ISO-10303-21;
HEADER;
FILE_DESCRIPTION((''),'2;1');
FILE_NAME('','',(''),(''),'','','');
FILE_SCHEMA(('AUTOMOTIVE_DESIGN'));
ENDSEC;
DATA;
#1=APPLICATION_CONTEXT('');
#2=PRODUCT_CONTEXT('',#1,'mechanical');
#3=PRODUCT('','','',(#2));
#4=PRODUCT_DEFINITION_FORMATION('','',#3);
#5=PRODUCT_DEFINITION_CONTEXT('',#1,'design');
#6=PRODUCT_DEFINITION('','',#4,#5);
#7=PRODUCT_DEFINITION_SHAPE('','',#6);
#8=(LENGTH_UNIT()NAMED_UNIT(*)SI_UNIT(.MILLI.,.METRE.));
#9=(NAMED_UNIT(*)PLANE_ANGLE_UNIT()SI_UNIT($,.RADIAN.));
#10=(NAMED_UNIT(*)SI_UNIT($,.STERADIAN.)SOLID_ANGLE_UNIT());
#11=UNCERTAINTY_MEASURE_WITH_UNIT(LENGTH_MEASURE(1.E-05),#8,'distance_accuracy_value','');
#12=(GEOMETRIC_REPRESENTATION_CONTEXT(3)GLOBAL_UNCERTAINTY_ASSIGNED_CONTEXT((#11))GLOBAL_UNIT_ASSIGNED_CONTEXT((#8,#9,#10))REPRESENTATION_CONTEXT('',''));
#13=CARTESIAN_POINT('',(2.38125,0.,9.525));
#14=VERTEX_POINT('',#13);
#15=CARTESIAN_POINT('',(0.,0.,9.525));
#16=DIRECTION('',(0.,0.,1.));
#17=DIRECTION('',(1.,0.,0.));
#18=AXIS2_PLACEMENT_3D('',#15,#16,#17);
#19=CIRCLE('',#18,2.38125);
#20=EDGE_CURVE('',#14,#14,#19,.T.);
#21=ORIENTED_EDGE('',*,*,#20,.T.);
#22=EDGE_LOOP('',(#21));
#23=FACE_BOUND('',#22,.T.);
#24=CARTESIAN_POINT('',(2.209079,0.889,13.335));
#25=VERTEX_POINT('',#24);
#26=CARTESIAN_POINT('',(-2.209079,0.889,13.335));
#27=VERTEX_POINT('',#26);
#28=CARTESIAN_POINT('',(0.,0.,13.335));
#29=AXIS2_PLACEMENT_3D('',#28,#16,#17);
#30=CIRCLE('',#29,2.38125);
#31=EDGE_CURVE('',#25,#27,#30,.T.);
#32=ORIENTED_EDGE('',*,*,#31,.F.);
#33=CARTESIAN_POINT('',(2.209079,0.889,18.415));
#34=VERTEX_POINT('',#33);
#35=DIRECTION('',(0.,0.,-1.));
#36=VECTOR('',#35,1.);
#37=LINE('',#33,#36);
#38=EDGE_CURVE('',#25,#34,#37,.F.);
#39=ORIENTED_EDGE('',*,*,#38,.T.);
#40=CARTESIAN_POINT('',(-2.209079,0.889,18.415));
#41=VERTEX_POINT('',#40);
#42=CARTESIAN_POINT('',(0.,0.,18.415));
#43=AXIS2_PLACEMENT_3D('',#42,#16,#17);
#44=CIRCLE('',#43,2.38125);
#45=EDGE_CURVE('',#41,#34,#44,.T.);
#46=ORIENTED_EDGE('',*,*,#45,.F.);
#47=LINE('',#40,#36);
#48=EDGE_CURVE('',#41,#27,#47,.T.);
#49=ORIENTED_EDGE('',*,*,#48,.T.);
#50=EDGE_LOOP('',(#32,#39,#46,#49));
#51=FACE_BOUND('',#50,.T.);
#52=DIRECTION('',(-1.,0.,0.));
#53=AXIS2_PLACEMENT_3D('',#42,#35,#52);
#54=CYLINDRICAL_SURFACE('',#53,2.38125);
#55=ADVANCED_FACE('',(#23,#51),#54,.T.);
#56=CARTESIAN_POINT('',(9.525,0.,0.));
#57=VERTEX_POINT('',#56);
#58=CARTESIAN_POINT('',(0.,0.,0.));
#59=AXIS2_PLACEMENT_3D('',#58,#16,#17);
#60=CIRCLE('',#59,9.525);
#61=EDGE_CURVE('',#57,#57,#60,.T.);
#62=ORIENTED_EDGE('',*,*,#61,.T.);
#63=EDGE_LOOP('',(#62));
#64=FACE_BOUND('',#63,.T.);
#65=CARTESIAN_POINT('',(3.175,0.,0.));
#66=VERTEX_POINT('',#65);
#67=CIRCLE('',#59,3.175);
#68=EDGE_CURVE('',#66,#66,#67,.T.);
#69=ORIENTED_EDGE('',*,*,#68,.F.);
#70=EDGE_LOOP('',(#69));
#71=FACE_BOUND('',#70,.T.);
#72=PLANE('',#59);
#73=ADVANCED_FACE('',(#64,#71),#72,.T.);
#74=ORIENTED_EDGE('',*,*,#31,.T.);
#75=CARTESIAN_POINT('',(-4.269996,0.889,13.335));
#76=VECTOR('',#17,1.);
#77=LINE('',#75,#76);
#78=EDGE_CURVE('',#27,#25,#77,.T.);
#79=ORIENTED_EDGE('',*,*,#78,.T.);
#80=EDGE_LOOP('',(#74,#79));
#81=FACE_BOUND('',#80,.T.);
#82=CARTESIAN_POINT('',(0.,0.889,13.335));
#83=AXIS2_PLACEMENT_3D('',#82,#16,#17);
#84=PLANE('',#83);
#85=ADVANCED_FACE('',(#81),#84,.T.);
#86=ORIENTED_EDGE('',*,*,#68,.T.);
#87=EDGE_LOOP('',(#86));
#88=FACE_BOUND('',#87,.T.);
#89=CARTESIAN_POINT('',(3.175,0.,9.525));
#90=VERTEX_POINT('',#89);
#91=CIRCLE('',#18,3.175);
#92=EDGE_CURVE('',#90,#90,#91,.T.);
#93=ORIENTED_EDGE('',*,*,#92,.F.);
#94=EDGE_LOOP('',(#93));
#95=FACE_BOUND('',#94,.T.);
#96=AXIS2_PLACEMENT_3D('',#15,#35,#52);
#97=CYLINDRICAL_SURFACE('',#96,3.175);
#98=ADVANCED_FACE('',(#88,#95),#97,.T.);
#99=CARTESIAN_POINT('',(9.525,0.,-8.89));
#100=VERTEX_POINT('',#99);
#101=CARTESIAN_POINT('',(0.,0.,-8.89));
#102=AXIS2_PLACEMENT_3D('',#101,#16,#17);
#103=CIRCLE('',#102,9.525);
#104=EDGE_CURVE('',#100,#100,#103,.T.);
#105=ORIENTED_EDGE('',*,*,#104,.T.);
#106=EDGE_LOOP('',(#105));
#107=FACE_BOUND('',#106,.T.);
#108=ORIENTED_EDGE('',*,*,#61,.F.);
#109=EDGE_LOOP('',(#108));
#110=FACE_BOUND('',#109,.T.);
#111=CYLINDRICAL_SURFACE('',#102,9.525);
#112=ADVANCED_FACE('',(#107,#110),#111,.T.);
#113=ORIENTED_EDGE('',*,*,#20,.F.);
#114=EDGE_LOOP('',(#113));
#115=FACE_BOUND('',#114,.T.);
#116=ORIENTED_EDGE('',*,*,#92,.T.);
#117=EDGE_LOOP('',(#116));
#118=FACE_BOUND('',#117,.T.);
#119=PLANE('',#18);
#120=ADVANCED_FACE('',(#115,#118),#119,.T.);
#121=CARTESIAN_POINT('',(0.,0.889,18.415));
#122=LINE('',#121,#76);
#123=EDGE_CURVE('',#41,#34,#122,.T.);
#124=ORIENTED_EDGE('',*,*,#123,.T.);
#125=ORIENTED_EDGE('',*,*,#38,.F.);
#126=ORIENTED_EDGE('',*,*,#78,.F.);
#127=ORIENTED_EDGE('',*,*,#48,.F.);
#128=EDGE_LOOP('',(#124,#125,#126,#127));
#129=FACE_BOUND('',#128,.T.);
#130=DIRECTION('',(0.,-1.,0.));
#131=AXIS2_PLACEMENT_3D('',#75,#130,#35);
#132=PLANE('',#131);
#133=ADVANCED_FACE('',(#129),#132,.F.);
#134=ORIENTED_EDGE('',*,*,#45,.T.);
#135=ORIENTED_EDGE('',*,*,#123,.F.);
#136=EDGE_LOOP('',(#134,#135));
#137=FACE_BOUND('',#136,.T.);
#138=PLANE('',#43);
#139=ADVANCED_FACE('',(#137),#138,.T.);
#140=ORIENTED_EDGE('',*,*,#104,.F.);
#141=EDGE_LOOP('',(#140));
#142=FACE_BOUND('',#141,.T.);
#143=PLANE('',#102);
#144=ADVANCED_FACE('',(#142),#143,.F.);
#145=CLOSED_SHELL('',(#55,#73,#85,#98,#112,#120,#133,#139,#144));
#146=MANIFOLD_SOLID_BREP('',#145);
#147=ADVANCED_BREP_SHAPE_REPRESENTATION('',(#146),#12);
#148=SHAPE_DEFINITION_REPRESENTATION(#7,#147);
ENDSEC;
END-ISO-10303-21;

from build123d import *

# Parameters (mm, degrees)
SKETCH1_R           = 9.525
BOSS_EXTRUDE1_DEPTH = 8.89
SKETCH2_R           = 3.175
BOSS_EXTRUDE2_DEPTH = 9.525
SKETCH3_R           = 2.38125
BOSS_EXTRUDE3_DEPTH = 8.89
CUT_EXTRUDE1_DEPTH  = 5.08


with BuildPart() as part:
    # Sketch1 → Boss-Extrude1 (new body)
    with BuildSketch(Plane.XY):
        Circle(SKETCH1_R)
    extrude(amount=-BOSS_EXTRUDE1_DEPTH)

    # Sketch2 → Boss-Extrude2 (add)
    with BuildSketch(Plane.XY):
        Circle(SKETCH2_R)
    extrude(amount=BOSS_EXTRUDE2_DEPTH)

    # Sketch3 → Boss-Extrude3 (add)
    with BuildSketch(Plane.XY.offset(9.525)):
        Circle(SKETCH3_R)
    extrude(amount=BOSS_EXTRUDE3_DEPTH)

    # Sketch4 → Cut-Extrude1 (cut)
    with BuildSketch(Plane.XY.offset(18.415)):
        with BuildLine():
            Line((-4.269996199, 0.889), (4.269996199, 0.889))
            ThreePointArc((4.269996199, 0.889), (0, 5.158996199), (-4.269996199, 0.889))
        make_face()
    extrude(amount=-CUT_EXTRUDE1_DEPTH, mode=Mode.SUBTRACT)


solid = part.part
